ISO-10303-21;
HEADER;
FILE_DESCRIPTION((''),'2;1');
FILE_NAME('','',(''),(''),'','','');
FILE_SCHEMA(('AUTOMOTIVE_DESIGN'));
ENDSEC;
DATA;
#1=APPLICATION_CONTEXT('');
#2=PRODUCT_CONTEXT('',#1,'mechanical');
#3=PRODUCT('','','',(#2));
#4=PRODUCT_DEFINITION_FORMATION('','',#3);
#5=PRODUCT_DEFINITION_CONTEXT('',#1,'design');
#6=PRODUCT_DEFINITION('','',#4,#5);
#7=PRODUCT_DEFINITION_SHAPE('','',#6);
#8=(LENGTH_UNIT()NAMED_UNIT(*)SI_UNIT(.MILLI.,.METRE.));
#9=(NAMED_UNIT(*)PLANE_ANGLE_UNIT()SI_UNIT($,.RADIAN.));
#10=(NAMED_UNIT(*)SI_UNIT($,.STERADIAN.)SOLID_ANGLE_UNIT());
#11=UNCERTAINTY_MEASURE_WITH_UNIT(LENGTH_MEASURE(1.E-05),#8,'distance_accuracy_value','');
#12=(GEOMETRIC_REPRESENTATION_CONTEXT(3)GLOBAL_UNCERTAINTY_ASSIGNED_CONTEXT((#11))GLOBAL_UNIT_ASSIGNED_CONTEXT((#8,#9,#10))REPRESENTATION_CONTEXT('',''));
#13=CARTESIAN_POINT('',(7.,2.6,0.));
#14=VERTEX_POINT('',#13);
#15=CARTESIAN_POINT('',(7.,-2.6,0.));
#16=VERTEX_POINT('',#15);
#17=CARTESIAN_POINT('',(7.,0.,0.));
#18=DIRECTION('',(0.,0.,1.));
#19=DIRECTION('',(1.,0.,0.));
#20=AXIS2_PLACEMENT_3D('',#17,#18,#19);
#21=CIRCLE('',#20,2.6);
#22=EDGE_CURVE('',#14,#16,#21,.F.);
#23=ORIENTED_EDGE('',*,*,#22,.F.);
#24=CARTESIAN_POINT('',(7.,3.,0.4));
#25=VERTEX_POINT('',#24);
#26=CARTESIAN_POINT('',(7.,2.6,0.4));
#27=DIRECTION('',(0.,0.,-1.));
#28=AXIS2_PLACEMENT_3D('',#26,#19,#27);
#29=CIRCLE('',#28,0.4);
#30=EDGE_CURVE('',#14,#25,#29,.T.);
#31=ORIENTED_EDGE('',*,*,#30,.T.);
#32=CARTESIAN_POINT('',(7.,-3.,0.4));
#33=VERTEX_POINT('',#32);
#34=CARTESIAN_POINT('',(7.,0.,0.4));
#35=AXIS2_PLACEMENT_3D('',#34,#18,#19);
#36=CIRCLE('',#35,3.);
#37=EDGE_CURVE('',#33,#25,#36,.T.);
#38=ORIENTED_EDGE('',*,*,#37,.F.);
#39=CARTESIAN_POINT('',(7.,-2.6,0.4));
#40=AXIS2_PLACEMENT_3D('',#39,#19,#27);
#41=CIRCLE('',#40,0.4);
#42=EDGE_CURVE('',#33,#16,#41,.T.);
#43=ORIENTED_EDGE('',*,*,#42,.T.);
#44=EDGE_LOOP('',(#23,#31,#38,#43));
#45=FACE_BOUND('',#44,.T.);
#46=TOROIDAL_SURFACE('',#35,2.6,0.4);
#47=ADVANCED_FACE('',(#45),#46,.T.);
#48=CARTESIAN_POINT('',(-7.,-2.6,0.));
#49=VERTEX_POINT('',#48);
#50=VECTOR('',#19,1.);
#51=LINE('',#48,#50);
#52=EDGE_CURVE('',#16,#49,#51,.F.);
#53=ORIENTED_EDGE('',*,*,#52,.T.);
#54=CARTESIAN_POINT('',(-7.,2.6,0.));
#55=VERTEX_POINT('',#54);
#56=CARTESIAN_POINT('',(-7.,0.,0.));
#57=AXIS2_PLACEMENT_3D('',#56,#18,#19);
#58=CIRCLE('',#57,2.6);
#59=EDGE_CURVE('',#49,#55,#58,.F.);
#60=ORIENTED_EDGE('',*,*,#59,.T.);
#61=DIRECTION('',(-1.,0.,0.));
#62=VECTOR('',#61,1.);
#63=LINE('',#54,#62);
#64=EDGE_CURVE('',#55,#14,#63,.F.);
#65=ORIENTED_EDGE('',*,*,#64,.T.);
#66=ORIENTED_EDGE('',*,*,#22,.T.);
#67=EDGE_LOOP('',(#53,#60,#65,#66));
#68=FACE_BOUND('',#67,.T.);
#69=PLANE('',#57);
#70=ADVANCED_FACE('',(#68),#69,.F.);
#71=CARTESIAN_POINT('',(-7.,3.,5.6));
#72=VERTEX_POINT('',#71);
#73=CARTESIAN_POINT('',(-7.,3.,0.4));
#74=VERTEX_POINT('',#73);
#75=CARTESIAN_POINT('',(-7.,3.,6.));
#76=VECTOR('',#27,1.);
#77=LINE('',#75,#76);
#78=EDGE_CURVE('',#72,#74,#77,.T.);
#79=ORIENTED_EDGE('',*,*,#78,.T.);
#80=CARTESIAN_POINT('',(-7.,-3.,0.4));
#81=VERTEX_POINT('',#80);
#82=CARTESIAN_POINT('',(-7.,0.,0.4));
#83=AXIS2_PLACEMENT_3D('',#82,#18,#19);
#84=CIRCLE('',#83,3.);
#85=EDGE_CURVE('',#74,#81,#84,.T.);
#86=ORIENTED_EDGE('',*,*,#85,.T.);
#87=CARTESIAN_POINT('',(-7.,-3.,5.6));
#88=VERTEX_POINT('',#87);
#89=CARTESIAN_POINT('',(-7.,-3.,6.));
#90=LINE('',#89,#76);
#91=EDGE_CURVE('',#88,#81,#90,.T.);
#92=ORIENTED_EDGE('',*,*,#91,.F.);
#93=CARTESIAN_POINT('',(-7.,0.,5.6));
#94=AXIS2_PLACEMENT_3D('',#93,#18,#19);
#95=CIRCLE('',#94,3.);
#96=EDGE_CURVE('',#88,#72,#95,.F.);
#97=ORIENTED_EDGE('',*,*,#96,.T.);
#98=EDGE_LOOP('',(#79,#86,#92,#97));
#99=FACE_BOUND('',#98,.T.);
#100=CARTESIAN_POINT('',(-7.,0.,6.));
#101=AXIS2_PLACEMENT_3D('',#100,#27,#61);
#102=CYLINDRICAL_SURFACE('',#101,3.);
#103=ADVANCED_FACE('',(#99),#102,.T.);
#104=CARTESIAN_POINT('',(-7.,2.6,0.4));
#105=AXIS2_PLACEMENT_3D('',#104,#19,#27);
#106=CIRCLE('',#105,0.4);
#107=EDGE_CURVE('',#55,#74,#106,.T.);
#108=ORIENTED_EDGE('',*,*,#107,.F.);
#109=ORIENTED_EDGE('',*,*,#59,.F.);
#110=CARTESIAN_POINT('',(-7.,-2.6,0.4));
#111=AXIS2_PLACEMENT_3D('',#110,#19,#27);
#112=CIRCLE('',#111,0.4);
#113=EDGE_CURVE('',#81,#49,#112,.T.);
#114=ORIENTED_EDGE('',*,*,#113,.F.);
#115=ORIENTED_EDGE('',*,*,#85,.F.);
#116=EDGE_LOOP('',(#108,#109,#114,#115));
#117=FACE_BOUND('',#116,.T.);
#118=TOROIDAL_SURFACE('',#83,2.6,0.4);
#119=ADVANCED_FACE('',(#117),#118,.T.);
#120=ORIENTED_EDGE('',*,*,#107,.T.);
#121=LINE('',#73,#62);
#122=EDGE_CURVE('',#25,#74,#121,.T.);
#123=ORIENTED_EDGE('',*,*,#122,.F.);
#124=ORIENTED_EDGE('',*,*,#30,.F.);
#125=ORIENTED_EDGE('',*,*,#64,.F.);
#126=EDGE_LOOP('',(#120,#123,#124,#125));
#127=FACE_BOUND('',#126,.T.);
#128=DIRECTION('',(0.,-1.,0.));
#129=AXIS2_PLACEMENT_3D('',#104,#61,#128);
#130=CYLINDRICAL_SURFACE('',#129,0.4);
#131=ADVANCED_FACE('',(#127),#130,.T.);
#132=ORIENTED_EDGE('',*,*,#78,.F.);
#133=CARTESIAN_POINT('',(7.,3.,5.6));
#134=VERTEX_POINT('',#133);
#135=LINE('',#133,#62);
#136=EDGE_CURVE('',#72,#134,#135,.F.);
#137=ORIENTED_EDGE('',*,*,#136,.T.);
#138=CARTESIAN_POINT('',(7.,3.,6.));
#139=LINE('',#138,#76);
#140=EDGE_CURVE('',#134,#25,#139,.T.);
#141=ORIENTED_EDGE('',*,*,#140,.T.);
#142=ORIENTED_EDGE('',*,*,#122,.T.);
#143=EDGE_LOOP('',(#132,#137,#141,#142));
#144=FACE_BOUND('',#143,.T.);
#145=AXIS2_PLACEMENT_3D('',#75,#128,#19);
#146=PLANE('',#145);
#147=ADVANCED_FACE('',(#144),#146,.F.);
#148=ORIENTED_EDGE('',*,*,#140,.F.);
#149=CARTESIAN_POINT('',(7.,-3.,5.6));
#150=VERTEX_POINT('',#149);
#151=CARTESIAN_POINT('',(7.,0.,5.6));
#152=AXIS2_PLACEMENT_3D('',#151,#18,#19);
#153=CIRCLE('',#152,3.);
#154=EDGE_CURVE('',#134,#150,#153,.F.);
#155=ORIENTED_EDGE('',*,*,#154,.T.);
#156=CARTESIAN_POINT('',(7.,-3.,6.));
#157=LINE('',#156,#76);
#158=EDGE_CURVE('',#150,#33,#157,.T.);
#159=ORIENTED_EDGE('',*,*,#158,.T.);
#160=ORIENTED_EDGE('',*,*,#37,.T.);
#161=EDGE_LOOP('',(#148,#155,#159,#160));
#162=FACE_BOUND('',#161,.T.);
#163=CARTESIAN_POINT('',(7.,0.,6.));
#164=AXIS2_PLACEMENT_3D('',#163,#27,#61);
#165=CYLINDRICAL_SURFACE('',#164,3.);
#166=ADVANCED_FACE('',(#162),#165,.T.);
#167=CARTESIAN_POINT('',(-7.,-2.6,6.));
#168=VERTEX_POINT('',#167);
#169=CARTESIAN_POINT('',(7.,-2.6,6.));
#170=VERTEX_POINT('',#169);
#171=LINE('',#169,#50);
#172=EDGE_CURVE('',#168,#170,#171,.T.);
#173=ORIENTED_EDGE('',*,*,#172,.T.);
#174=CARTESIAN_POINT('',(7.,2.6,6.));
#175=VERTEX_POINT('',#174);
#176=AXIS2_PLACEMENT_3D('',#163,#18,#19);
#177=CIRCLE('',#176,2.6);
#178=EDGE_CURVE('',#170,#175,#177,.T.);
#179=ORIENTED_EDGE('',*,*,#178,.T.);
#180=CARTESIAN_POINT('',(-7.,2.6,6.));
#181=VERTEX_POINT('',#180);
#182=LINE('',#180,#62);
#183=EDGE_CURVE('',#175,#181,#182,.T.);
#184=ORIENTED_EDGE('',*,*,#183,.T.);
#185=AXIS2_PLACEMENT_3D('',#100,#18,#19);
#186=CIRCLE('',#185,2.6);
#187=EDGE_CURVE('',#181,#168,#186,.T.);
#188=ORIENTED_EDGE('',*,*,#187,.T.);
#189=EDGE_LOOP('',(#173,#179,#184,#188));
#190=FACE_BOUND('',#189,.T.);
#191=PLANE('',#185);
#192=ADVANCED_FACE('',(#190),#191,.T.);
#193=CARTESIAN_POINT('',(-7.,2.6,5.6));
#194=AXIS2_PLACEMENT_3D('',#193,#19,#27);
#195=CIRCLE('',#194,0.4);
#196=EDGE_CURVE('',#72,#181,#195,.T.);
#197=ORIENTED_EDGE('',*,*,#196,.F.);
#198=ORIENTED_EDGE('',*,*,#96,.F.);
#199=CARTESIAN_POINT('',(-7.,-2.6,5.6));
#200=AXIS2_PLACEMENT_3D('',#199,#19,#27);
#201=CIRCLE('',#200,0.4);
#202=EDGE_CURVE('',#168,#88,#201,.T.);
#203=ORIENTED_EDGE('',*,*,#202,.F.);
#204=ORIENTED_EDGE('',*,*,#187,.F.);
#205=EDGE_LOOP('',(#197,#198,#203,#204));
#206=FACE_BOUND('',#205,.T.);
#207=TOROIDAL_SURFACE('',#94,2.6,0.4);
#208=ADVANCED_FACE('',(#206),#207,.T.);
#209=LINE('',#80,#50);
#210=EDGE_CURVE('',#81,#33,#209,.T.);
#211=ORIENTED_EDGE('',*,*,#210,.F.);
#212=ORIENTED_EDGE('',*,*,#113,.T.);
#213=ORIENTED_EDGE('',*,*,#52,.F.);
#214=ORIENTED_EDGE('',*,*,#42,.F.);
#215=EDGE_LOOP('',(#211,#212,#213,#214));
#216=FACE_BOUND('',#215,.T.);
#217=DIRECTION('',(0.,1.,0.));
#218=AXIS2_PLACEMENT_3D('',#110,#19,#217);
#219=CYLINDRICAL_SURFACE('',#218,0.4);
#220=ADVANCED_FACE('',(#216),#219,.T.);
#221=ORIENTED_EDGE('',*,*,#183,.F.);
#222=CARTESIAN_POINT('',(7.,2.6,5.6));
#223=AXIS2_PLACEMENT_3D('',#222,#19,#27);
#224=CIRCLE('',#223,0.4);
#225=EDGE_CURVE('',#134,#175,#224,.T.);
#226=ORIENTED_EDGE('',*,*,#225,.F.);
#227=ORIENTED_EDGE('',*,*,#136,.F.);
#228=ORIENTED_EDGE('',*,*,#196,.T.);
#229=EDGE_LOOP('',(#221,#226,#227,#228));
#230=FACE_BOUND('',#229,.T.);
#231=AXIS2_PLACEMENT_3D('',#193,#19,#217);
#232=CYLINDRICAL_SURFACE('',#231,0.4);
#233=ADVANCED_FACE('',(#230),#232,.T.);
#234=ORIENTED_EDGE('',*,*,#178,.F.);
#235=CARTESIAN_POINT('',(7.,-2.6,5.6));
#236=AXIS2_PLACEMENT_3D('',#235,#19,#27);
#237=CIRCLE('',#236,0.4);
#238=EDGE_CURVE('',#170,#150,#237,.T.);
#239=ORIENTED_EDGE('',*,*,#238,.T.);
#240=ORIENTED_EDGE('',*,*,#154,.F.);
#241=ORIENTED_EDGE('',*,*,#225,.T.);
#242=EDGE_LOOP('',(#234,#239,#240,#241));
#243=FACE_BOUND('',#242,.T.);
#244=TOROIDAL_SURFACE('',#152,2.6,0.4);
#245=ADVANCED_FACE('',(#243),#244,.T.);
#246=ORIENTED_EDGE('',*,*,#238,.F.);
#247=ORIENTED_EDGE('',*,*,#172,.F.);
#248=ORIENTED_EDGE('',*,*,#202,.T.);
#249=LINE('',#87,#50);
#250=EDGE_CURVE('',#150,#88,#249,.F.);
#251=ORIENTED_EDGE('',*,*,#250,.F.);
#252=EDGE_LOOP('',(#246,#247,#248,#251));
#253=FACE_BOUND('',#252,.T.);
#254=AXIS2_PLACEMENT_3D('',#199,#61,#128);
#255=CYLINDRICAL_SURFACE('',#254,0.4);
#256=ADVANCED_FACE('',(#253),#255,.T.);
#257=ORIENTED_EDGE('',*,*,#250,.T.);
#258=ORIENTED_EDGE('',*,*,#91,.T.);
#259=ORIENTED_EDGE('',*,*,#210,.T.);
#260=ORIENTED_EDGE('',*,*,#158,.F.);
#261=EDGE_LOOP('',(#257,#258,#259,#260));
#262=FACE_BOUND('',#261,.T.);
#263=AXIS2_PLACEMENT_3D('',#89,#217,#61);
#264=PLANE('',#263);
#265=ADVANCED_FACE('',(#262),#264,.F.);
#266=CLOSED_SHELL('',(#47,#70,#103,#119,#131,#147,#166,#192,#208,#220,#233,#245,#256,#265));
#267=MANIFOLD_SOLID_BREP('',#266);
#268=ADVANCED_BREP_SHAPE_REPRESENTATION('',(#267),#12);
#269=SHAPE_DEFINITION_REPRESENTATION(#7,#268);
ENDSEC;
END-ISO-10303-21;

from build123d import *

# Parameters (mm, degrees)
EXTRUDE_527_DEPTH = 6
FILLET_1_R        = 0.4


with BuildPart() as part:
    # 草图1 → Extrude 527 (new body)
    with BuildSketch(Plane.XY):
        with BuildLine():
            Line((-7, 3), (7, 3))
            ThreePointArc((7, 3), (10, 0), (7, -3))
            Line((7, -3), (-7, -3))
            ThreePointArc((-7, -3), (-10, 0), (-7, 3))
        make_face()
    extrude(amount=EXTRUDE_527_DEPTH)

    # 圆角1
    fillet_1_edges = [part.edges().sort_by_distance(p)[0] for p in [
        (10, 0, 6),
        (0, 3, 6),
        (-10, 0, 6),
        (0, 3, 0),
        (10, 0, 0),
        (0, -3, 0),
        (-10, 0, 0),
        (0, -3, 6),
    ]]
    fillet(fillet_1_edges, radius=FILLET_1_R)


solid = part.part
